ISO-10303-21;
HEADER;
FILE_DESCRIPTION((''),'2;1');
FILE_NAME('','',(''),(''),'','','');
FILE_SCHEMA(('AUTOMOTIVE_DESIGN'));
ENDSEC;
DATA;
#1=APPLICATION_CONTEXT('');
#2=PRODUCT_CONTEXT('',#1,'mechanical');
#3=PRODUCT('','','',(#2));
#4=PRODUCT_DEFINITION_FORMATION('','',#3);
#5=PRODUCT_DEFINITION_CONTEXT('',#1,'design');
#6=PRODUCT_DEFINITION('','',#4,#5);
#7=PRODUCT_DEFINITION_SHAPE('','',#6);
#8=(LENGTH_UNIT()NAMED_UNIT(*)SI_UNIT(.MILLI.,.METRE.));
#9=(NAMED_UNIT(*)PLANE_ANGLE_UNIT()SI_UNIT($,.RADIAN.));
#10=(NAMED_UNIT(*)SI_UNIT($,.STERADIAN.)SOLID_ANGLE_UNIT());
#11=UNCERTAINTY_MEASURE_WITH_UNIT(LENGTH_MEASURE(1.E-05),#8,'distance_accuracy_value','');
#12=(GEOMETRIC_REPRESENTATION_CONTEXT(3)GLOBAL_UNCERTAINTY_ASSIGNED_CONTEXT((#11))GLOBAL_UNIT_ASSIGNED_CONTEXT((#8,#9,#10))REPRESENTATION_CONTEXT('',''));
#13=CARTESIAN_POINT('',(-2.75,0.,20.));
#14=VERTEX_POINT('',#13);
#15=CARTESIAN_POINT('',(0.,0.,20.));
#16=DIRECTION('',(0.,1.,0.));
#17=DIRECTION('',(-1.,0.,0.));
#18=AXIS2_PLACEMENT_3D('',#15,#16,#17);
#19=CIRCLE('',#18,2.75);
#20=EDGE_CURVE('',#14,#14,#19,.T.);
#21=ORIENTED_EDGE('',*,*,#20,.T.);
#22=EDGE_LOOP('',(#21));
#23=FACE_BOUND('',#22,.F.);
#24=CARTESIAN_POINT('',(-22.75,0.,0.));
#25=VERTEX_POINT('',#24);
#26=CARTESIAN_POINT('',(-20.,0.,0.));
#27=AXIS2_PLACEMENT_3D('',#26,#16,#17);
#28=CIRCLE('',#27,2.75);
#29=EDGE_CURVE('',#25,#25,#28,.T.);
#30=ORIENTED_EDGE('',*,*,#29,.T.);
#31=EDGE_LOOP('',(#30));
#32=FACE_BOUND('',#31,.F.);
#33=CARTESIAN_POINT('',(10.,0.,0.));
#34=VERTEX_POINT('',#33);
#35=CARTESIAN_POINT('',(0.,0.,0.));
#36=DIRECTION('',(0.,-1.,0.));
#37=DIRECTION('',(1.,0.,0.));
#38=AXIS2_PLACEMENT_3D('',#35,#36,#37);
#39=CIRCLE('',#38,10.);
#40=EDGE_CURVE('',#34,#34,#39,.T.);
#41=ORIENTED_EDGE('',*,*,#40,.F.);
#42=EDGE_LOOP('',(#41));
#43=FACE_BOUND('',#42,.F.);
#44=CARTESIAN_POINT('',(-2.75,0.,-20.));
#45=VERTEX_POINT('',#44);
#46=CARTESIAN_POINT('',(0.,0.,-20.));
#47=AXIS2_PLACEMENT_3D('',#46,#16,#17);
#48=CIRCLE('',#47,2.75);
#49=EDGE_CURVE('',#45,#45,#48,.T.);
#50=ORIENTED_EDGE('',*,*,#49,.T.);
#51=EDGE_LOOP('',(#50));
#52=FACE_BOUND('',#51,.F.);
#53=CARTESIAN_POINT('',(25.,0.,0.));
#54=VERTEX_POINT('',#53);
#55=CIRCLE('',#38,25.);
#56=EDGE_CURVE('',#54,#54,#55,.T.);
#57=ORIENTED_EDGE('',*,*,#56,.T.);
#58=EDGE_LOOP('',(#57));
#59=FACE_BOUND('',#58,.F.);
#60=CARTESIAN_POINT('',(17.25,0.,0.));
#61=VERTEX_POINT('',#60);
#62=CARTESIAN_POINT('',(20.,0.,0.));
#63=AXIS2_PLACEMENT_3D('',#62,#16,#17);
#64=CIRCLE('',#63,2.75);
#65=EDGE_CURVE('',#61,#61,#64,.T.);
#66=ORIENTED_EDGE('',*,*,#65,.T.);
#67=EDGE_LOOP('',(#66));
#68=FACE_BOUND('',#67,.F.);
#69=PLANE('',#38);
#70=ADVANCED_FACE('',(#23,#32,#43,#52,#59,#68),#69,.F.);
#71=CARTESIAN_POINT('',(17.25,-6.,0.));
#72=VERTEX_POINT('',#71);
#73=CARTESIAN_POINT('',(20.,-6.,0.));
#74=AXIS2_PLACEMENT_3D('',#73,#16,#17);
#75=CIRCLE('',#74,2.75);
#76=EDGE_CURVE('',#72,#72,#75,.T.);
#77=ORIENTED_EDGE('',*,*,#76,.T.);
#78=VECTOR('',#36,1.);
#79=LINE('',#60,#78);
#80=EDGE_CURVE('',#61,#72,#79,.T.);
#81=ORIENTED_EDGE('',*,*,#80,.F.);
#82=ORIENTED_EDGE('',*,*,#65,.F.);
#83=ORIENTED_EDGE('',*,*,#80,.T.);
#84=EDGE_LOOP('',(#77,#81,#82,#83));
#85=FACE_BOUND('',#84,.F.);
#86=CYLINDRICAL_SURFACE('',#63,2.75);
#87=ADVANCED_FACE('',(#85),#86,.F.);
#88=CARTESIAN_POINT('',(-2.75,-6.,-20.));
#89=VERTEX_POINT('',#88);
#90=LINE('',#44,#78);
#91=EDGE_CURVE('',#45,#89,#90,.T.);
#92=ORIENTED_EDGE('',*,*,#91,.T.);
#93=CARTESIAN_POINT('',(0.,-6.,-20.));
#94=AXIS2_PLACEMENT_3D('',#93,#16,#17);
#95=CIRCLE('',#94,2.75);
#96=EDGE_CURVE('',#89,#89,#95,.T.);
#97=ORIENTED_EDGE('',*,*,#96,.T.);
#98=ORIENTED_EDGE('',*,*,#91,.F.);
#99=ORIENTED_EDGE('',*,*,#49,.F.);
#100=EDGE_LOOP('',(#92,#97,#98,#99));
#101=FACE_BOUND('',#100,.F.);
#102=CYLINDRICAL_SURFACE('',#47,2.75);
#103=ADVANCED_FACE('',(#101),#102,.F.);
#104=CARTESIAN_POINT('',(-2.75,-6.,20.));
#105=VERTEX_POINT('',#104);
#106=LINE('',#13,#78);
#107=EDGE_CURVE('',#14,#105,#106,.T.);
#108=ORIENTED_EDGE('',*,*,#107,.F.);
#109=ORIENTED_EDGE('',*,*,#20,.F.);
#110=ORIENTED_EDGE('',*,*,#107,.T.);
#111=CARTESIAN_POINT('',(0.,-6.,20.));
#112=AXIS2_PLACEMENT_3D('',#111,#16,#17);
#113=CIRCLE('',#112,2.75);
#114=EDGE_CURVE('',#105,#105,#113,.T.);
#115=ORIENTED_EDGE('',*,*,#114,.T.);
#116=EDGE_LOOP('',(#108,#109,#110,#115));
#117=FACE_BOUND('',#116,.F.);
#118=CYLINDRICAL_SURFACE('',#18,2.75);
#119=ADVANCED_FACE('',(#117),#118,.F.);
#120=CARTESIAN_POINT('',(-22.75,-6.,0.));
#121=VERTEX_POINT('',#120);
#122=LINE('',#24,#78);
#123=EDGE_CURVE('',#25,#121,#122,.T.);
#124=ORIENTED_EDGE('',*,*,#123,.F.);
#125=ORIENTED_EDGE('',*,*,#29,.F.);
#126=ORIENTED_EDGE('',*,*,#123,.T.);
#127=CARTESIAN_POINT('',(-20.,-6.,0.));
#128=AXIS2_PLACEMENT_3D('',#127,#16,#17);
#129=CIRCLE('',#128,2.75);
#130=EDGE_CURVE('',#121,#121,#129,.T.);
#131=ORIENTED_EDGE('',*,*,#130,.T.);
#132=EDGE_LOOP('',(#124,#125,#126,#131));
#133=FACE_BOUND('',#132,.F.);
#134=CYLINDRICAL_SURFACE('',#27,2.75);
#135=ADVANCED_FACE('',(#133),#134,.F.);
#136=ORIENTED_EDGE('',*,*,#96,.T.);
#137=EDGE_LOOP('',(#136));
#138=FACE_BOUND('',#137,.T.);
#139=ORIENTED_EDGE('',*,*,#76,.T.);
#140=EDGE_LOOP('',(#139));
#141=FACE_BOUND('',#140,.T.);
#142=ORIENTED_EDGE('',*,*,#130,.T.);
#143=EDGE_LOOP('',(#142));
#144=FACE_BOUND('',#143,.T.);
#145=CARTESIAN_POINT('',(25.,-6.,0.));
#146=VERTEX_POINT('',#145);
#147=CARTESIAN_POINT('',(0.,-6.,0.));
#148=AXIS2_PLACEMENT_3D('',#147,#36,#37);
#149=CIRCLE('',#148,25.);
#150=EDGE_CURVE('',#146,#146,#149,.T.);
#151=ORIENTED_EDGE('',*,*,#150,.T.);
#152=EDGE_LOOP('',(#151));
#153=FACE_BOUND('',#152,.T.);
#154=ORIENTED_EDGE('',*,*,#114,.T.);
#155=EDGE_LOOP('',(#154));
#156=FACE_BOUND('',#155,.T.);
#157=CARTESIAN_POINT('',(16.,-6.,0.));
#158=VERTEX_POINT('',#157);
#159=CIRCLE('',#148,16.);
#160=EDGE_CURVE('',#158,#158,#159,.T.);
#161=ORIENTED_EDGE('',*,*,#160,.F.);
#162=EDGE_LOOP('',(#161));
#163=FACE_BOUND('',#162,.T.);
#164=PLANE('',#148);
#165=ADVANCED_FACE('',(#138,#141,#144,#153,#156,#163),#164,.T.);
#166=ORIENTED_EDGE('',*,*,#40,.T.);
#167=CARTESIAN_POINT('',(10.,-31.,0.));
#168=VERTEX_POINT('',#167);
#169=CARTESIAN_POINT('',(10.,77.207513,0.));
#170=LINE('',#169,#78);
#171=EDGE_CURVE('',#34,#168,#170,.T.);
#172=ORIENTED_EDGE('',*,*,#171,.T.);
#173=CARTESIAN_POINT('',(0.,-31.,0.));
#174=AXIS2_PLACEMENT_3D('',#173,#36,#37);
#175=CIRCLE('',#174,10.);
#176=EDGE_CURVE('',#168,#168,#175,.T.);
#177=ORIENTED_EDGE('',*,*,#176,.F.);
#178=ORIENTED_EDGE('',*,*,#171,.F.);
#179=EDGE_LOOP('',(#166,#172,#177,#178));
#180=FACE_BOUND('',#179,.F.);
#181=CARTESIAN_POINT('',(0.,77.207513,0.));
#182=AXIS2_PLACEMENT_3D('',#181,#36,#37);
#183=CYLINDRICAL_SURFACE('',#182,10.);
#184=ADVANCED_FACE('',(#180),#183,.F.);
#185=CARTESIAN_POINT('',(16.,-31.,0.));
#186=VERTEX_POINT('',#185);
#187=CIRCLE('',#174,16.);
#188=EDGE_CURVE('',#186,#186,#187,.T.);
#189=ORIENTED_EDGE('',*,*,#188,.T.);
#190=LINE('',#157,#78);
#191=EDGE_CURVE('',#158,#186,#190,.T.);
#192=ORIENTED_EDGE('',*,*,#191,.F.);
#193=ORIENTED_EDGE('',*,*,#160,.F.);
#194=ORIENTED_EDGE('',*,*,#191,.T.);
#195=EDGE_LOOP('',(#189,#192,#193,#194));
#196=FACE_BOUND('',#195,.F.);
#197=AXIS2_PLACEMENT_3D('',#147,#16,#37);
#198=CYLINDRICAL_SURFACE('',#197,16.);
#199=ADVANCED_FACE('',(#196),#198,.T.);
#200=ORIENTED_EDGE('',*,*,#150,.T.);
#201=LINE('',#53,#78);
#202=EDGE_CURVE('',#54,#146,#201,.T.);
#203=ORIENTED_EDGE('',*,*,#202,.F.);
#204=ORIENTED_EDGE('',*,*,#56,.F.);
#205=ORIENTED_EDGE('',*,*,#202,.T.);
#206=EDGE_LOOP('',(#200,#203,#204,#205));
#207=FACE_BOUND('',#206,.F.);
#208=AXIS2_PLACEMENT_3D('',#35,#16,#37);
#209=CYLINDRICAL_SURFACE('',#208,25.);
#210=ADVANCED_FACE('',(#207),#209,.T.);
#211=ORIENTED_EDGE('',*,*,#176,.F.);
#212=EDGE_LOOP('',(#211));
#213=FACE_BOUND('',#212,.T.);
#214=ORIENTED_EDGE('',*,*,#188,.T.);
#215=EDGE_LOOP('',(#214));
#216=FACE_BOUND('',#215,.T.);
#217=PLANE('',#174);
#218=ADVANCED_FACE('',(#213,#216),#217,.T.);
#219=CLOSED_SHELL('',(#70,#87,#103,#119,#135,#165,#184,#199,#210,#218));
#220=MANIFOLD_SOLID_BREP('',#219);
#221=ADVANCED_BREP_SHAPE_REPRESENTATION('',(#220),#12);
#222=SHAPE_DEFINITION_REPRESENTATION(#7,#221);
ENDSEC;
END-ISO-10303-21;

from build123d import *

# Parameters (mm, degrees)
F0_R     = 25
F1_DEPTH = 6
F2_R     = 16
F3_DEPTH = 25
F4_R     = 2.75
F5_DEPTH = 31.001
F7_D     = 20


with BuildPart() as f1:
    # F0 (on Front) → F1 (new body)
    with BuildSketch(Plane.XZ):
        Circle(F0_R)
    extrude(amount=F1_DEPTH)

    # F2 (on face) → F3 (join)
    with BuildSketch(Plane.XZ.offset(6)):
        Circle(F2_R)
    extrude(amount=F3_DEPTH)

    # F4 (on face) → F5 (cut, through all)
    with BuildSketch(Plane(origin=(0, 0, 0), x_dir=(-1, 0, 0), z_dir=(0, 1, 0))):
        with Locations((0, 20)):
            Circle(F4_R)
        with Locations((-20, 0)):
            Circle(F4_R)
        with Locations((20, 0)):
            Circle(F4_R)
        with Locations((0, -20)):
            Circle(F4_R)
    extrude(amount=-F5_DEPTH, mode=Mode.SUBTRACT)

    # F7 (through all)
    with Locations(Plane(origin=(0, 0, 0), x_dir=(-1, 0, 0), z_dir=(0, 1, 0))):
        with Locations((0, 0)):
            Hole(F7_D / 2)


solid = f1.part
